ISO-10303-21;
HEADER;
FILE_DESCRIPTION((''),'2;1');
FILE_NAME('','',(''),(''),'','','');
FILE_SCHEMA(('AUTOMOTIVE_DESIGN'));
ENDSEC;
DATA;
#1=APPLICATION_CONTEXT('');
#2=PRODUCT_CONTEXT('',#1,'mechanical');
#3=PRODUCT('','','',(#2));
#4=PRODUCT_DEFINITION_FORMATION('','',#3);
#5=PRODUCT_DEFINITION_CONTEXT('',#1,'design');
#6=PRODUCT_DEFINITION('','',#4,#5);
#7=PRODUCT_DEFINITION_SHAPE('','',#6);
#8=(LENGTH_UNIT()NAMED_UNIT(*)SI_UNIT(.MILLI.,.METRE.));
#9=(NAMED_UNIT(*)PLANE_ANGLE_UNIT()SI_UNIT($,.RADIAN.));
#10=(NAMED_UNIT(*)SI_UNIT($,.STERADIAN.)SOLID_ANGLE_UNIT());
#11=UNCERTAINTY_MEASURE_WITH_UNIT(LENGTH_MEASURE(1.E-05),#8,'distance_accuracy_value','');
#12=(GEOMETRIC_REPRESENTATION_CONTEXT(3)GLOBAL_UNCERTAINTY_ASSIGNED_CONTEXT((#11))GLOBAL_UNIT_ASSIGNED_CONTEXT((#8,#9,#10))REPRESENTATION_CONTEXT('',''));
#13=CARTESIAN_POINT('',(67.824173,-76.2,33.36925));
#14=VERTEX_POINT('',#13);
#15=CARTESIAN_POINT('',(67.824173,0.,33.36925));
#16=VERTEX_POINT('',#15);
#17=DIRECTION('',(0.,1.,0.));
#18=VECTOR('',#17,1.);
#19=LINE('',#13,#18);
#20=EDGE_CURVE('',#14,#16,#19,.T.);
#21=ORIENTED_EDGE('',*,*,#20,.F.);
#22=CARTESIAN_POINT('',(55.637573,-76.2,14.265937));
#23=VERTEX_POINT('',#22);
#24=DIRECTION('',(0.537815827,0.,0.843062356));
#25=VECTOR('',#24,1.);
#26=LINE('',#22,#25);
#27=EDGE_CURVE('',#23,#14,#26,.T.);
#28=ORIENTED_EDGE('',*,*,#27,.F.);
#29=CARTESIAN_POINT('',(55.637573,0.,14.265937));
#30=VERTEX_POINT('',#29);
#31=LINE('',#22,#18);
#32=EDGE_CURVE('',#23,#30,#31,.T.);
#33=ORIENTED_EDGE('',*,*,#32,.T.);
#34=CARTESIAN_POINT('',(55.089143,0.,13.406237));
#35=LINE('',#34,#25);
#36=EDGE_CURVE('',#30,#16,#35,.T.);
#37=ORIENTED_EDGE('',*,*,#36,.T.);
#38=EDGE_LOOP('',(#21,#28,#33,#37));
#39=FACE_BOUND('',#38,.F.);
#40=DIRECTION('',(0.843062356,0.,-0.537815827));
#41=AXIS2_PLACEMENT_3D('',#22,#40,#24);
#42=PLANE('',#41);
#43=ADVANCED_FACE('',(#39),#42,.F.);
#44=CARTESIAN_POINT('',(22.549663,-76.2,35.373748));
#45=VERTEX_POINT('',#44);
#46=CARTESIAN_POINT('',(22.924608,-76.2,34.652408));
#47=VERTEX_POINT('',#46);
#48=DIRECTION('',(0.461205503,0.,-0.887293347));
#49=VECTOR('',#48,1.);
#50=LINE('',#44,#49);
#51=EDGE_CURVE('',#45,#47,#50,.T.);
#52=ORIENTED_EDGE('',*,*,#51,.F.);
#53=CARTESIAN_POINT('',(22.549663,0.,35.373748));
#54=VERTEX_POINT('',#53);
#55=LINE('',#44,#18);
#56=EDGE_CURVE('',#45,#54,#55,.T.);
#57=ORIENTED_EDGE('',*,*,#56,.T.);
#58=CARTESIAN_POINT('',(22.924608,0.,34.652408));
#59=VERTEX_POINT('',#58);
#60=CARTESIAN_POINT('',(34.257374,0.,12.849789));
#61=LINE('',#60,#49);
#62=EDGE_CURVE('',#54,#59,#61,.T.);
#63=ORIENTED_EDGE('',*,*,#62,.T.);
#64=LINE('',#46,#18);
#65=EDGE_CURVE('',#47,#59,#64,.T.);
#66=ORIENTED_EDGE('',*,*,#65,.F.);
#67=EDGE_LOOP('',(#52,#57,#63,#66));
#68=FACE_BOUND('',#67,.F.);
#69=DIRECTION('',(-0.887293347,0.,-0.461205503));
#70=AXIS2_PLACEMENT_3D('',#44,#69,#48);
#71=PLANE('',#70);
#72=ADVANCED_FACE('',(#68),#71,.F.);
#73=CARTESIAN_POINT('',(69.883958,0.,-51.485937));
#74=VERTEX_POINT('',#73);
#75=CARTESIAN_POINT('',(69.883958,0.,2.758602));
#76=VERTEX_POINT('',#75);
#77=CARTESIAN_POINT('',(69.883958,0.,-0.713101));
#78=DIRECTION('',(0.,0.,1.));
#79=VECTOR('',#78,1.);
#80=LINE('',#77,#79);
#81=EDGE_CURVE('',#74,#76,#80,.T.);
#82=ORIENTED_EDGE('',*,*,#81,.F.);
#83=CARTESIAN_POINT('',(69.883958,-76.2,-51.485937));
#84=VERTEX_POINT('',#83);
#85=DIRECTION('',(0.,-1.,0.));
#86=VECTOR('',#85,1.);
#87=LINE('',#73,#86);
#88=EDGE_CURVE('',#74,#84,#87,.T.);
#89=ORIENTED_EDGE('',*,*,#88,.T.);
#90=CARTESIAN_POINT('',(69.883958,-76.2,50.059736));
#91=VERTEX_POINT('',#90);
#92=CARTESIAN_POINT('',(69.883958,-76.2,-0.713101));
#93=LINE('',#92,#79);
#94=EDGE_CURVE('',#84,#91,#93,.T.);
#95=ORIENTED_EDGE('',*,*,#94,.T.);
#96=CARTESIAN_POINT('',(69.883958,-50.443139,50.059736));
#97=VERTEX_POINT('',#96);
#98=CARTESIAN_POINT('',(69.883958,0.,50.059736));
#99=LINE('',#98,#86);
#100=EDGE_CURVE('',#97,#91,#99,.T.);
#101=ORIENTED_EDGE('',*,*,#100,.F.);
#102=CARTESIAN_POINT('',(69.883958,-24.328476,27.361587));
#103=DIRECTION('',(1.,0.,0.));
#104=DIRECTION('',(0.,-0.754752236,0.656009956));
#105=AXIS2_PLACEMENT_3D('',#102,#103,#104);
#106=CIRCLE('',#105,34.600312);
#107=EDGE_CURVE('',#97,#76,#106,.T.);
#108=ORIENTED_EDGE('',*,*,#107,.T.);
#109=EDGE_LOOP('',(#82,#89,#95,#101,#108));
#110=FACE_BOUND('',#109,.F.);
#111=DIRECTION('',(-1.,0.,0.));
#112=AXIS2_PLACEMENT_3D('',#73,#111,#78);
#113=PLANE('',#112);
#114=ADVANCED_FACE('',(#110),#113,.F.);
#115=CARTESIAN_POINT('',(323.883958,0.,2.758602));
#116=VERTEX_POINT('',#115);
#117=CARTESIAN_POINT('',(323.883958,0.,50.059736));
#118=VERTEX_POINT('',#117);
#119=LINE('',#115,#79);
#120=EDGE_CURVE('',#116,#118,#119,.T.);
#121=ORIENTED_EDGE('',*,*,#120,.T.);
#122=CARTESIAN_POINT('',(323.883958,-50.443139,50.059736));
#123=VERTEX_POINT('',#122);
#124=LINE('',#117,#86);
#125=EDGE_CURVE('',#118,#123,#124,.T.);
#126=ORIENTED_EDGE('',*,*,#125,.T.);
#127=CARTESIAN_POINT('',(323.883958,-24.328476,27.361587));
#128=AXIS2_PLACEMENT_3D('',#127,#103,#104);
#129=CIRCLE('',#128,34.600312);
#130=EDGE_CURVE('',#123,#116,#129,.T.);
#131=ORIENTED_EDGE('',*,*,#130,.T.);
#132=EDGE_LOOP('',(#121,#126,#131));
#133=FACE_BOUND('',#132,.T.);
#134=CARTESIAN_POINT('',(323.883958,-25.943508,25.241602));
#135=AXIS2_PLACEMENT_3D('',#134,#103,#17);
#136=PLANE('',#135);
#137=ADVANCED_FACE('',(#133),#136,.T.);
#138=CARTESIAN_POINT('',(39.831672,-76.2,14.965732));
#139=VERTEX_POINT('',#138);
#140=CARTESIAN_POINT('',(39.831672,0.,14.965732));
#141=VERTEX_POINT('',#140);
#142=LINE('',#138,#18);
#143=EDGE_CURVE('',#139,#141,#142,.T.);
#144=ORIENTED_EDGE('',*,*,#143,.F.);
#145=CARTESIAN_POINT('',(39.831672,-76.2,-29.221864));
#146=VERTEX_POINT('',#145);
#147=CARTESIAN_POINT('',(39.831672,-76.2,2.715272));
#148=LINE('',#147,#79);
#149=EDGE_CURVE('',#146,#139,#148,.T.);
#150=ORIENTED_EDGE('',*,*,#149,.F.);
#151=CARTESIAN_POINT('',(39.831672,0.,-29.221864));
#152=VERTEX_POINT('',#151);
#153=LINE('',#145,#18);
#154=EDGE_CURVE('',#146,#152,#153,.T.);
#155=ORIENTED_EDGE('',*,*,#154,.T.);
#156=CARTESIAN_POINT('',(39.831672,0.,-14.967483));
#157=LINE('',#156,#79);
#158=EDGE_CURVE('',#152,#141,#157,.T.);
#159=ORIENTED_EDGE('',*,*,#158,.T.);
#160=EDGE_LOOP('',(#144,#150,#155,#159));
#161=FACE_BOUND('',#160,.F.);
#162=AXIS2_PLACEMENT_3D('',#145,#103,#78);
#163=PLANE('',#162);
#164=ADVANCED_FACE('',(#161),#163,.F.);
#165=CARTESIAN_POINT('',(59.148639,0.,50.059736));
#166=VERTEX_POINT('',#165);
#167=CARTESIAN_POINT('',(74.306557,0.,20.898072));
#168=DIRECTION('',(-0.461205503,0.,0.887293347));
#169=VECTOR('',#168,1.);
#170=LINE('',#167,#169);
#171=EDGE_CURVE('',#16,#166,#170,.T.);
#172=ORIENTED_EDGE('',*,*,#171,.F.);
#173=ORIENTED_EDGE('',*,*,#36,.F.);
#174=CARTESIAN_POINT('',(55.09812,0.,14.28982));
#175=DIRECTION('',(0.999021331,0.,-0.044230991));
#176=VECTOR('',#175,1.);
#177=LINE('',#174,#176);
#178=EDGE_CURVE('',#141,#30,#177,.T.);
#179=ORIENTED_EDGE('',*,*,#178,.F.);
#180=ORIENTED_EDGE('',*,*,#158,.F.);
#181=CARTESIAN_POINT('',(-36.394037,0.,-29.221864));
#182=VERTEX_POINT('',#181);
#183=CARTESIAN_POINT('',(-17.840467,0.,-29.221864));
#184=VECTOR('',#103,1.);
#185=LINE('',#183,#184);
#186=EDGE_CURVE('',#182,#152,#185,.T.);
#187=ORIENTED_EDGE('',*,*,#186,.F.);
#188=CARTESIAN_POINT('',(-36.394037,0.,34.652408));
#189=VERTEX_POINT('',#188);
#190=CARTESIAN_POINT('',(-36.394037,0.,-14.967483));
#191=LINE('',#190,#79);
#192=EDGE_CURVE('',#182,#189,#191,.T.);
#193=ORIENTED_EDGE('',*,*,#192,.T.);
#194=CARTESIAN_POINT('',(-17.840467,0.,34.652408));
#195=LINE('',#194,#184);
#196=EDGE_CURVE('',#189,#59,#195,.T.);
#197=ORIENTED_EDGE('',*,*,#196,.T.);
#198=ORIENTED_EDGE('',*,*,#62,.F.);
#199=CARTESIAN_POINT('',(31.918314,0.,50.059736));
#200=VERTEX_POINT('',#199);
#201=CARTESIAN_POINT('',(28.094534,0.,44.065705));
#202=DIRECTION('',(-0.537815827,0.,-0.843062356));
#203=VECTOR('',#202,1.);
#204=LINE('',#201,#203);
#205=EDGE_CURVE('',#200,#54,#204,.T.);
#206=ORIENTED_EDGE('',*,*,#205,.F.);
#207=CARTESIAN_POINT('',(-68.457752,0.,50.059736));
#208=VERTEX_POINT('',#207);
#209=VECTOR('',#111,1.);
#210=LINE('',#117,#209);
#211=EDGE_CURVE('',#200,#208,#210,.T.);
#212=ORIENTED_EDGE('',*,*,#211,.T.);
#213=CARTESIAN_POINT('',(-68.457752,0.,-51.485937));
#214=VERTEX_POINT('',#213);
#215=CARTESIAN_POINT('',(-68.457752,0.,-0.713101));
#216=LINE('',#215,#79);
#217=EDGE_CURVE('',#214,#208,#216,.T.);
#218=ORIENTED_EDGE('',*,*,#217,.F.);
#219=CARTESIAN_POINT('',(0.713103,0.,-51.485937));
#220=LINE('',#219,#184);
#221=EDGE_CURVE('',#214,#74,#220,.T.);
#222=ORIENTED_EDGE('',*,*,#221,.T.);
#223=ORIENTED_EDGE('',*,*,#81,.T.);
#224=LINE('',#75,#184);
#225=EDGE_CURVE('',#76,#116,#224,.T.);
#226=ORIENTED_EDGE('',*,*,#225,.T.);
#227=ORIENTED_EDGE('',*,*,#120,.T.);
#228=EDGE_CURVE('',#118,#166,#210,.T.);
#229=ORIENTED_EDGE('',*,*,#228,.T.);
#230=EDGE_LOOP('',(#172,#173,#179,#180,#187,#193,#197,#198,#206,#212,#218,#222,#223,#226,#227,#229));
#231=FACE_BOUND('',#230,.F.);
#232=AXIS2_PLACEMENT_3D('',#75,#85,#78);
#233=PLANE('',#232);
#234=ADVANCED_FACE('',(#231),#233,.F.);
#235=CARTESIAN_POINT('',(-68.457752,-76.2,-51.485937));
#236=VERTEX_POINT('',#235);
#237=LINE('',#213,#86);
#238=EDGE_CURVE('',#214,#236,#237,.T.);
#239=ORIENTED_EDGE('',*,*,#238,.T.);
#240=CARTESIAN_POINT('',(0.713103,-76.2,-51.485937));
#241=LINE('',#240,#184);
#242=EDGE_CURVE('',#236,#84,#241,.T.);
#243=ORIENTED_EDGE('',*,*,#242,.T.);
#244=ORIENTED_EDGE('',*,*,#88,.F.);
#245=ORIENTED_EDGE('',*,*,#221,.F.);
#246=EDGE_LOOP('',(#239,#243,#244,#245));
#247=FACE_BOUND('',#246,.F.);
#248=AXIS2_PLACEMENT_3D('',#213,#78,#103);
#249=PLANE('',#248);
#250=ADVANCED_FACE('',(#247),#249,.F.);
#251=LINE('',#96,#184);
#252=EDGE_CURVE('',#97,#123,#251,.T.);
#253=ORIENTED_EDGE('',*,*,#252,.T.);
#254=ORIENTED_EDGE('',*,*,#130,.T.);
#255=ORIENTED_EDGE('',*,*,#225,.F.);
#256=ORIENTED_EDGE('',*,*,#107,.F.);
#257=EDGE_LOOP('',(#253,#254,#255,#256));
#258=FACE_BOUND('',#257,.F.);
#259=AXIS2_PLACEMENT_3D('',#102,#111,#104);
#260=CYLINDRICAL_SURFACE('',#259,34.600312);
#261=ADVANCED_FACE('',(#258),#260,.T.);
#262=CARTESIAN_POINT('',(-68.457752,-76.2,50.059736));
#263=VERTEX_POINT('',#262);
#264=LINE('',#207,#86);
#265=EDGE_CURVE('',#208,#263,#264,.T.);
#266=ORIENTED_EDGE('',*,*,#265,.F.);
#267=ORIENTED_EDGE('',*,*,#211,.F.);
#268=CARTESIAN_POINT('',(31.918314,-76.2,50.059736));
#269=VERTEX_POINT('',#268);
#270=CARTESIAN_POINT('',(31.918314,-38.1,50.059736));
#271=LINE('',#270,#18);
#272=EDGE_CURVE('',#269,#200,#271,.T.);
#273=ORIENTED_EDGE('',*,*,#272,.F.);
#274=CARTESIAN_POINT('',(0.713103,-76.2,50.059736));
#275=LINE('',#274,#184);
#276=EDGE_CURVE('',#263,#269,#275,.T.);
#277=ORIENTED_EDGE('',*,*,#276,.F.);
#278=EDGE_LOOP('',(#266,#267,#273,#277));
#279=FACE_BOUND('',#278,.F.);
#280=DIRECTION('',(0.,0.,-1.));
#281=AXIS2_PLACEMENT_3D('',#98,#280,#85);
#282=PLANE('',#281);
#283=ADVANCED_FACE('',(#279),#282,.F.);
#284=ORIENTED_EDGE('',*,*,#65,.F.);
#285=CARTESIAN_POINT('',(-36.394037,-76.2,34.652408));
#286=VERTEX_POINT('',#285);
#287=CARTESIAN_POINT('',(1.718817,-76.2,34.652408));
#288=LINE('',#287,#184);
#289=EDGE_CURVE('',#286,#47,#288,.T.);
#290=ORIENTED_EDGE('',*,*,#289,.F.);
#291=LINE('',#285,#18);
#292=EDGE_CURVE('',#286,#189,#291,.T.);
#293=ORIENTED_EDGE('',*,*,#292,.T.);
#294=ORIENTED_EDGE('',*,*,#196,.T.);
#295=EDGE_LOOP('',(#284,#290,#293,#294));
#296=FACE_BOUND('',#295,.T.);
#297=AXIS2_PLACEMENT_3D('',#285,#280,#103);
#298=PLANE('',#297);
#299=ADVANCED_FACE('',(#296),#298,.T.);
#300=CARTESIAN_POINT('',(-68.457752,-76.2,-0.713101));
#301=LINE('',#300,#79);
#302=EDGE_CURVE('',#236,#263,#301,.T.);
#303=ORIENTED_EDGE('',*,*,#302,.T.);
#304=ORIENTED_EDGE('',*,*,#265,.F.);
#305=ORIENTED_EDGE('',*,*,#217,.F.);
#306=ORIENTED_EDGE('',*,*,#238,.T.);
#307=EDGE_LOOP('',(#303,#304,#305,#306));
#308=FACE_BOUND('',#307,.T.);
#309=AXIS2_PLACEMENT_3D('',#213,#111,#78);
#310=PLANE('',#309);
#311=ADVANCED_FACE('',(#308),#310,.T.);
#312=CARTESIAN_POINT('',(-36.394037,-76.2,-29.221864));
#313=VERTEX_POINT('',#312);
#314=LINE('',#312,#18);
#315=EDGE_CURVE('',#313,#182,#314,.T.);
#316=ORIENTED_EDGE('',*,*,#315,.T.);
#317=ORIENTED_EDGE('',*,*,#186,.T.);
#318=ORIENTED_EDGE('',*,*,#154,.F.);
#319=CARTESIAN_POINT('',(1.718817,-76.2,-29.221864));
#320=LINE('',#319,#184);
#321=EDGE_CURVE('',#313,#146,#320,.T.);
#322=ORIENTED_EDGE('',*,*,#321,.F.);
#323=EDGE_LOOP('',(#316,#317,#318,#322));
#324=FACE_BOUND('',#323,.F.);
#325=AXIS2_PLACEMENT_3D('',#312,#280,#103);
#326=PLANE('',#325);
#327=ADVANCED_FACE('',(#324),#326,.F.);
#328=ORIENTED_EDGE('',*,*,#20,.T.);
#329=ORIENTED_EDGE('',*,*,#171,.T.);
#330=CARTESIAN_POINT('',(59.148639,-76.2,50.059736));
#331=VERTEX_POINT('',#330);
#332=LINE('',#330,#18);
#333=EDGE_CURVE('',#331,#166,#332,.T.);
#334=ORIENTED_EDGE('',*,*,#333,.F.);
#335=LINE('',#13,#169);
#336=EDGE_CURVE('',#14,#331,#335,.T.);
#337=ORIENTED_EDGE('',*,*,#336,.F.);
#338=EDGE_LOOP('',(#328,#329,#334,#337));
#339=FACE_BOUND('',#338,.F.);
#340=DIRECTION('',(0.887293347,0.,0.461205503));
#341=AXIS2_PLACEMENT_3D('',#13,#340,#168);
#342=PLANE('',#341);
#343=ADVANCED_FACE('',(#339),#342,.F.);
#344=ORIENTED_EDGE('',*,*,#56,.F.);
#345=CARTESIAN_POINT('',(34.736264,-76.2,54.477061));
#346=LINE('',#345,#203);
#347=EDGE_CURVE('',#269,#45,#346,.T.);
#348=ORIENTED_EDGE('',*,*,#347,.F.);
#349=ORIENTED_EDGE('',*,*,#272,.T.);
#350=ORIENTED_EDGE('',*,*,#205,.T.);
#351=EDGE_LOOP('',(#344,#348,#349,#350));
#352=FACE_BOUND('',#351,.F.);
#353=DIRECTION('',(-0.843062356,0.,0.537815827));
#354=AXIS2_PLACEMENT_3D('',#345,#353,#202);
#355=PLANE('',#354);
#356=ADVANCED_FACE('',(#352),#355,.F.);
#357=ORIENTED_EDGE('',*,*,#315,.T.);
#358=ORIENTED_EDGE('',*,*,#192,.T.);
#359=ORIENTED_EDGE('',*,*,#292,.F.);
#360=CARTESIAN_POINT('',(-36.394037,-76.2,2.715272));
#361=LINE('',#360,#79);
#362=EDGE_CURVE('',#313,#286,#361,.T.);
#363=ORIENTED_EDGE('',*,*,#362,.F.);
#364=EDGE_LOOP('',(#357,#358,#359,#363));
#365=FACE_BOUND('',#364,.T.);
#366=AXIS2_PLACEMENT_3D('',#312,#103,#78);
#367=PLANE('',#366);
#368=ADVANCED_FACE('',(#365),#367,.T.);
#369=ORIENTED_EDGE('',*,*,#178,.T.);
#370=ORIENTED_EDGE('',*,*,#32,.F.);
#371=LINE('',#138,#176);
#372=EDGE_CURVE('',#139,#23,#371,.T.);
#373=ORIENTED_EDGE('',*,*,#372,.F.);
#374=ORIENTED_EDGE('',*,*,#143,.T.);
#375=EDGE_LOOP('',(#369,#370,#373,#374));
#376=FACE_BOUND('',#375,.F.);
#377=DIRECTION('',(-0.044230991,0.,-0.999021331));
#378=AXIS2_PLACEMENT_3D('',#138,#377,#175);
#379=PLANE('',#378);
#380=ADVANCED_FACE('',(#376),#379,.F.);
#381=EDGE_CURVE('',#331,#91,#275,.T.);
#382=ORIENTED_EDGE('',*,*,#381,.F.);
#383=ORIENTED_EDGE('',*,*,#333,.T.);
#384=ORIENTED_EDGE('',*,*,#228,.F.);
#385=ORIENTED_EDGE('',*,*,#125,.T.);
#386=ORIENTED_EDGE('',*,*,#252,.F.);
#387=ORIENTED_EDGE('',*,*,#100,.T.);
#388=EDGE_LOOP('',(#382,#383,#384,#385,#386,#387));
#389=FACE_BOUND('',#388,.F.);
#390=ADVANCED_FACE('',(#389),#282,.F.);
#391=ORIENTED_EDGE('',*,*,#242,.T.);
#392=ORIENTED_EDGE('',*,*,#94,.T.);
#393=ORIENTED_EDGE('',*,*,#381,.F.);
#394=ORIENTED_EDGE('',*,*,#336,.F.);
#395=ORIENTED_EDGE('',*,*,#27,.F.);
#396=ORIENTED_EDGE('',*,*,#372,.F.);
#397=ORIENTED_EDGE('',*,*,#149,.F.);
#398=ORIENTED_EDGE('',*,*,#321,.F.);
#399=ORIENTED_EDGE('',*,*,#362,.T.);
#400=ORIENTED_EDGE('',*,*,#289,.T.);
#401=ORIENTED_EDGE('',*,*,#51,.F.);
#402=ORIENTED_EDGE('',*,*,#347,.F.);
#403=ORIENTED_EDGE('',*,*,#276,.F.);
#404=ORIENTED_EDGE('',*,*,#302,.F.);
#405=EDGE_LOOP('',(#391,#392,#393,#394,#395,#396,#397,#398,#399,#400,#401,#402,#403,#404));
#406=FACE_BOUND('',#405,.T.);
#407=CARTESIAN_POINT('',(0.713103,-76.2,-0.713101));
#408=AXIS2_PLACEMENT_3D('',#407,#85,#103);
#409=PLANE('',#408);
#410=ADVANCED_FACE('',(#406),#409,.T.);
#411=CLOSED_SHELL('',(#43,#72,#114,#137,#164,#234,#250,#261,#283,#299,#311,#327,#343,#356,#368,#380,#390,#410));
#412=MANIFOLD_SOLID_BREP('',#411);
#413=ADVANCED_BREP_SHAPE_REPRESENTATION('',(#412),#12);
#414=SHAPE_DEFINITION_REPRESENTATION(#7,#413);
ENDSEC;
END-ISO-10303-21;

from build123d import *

# Parameters (mm, degrees)
F0_W     = 138.3417099714
F0_H     = 101.5456728637
F1_DEPTH = 76.2
F2_W     = 76.2257091701
F2_H     = 63.8742726296
F3_DEPTH = 101.6
F5_DEPTH = 254
F7_DEPTH = 101.6


with BuildPart() as f1:
    # F0 (on Front) → F1 (new body)
    with BuildSketch(Plane.XZ):
        with Locations((0.7131025195, -0.7131006569)):
            Rectangle(F0_W, F0_H)
    extrude(amount=F1_DEPTH)

    # F2 (on face) → F3 (cut)
    with BuildSketch(Plane.XZ.offset(76.2)):
        with Locations((1.7188172787, 2.7152718976)):
            Rectangle(F2_W, F2_H)
    extrude(amount=-F3_DEPTH, mode=Mode.SUBTRACT)

    # F4 (on face) → F5 (join)
    with BuildSketch(Plane.YZ.offset(69.8839575052)):
        with BuildLine():
            Line((0, 50.059735775), (-50.4431385903, 50.059735775))
            ThreePointArc((-50.4431385903, 50.059735775), (-47.9958991329, 2.1220411863), (0, 2.7586021562))
            Line((0, 2.7586021562), (0, 50.059735775))
        make_face()
    extrude(amount=F5_DEPTH)

    # F6 (on face) → F7 (cut)
    with BuildSketch(Plane.XZ.offset(76.2)):
        Polygon((31.9183138803, 50.059735775), (59.1486387648, 50.059735775), (57.3735188693, 53.4748122682), (34.7362639383, 54.4770613606), align=None)
        Polygon((55.6375725195, 14.2659365838), (67.8241731599, 33.3692498798), (59.1486387648, 50.059735775), (31.9183138803, 50.059735775), (22.5496632978, 35.3737480645), (22.9246079661, 34.6524082124), (39.8316718638, 34.6524082124), (39.8316718638, 14.9657321038), align=None)
    extrude(amount=-F7_DEPTH, mode=Mode.SUBTRACT)


solid = f1.part
